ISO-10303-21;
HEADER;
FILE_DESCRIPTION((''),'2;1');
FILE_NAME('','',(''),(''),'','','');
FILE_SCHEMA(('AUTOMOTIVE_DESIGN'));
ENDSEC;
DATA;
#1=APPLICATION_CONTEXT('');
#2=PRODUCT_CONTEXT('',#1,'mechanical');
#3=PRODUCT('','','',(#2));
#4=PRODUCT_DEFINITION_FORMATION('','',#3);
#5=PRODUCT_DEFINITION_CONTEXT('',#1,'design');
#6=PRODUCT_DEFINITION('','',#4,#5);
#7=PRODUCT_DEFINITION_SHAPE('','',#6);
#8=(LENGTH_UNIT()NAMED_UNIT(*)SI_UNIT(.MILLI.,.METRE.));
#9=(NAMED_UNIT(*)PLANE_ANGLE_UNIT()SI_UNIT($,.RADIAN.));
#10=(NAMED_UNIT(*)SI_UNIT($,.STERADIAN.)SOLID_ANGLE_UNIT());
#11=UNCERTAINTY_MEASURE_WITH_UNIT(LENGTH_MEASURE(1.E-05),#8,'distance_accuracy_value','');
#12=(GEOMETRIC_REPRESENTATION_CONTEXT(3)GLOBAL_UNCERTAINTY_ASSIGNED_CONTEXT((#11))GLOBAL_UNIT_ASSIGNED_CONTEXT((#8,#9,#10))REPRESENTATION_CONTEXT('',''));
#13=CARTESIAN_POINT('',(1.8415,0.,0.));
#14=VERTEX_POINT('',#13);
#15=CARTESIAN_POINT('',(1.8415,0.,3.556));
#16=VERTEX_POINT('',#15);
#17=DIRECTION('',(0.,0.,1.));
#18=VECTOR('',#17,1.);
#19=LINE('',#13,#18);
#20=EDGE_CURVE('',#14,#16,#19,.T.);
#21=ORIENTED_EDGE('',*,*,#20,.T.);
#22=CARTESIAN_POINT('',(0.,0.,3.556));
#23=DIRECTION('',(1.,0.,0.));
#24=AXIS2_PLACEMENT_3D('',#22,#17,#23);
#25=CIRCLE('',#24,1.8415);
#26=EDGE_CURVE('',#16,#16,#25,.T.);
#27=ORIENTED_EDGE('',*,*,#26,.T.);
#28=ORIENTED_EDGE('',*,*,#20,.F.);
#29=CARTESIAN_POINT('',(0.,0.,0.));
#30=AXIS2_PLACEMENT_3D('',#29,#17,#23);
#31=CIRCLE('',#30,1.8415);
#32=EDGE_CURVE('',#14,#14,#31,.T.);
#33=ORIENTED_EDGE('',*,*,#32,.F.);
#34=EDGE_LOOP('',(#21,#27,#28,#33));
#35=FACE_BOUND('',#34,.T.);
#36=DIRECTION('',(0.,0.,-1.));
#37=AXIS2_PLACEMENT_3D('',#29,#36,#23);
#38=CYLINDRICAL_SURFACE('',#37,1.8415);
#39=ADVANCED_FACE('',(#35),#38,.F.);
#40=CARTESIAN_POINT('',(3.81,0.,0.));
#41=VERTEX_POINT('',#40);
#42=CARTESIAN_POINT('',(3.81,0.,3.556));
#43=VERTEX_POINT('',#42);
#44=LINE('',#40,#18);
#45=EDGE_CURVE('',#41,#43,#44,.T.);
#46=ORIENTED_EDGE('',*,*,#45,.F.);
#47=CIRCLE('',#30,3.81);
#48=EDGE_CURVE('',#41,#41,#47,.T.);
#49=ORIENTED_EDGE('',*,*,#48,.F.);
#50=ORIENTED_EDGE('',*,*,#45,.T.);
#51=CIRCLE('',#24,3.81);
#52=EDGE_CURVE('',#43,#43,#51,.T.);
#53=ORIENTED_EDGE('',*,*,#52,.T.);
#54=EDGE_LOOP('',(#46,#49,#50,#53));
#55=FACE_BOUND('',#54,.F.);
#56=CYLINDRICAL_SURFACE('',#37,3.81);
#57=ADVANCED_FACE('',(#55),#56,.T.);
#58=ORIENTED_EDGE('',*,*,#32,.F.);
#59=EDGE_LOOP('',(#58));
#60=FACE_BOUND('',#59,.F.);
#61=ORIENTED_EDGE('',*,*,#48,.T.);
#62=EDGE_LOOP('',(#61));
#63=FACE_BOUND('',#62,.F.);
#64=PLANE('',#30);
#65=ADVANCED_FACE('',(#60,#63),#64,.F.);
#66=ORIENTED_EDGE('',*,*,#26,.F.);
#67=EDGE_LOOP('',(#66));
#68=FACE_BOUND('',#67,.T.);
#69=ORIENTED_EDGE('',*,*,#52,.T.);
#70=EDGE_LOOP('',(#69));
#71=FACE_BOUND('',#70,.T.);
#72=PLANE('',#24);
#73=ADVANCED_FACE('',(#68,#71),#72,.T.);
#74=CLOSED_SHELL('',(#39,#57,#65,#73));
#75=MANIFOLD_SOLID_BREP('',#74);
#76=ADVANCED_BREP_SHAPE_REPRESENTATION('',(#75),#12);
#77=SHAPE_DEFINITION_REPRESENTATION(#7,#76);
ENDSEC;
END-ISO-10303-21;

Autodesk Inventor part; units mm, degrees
ref_plane "YZ Plane" through (0, 0, 0) normal (1, 0, 0) x (0, 1, 0)
ref_plane "XZ Plane" through (0, 0, 0) normal (0, 1, 0) x (-1, 0, 0)
ref_plane "XY Plane" through (0, 0, 0) normal (0, 0, 1) x (1, 0, 0)
sketch "Sketch1" plane through (0, 0, 0) normal (0, 0, 1) x (1, 0, 0)
  circle A0 centre (0, 0) radius 1.8415
  circle A1 centre (0, 0) radius 3.81
  dimension "d0" = 3.683
  dimension "d1" = 7.62
extrude "Extrusion1" add sketch "Sketch1" along normal blind 3.556
properties part number "pushSwitchRodSpacer" material "ABS Plastic"
